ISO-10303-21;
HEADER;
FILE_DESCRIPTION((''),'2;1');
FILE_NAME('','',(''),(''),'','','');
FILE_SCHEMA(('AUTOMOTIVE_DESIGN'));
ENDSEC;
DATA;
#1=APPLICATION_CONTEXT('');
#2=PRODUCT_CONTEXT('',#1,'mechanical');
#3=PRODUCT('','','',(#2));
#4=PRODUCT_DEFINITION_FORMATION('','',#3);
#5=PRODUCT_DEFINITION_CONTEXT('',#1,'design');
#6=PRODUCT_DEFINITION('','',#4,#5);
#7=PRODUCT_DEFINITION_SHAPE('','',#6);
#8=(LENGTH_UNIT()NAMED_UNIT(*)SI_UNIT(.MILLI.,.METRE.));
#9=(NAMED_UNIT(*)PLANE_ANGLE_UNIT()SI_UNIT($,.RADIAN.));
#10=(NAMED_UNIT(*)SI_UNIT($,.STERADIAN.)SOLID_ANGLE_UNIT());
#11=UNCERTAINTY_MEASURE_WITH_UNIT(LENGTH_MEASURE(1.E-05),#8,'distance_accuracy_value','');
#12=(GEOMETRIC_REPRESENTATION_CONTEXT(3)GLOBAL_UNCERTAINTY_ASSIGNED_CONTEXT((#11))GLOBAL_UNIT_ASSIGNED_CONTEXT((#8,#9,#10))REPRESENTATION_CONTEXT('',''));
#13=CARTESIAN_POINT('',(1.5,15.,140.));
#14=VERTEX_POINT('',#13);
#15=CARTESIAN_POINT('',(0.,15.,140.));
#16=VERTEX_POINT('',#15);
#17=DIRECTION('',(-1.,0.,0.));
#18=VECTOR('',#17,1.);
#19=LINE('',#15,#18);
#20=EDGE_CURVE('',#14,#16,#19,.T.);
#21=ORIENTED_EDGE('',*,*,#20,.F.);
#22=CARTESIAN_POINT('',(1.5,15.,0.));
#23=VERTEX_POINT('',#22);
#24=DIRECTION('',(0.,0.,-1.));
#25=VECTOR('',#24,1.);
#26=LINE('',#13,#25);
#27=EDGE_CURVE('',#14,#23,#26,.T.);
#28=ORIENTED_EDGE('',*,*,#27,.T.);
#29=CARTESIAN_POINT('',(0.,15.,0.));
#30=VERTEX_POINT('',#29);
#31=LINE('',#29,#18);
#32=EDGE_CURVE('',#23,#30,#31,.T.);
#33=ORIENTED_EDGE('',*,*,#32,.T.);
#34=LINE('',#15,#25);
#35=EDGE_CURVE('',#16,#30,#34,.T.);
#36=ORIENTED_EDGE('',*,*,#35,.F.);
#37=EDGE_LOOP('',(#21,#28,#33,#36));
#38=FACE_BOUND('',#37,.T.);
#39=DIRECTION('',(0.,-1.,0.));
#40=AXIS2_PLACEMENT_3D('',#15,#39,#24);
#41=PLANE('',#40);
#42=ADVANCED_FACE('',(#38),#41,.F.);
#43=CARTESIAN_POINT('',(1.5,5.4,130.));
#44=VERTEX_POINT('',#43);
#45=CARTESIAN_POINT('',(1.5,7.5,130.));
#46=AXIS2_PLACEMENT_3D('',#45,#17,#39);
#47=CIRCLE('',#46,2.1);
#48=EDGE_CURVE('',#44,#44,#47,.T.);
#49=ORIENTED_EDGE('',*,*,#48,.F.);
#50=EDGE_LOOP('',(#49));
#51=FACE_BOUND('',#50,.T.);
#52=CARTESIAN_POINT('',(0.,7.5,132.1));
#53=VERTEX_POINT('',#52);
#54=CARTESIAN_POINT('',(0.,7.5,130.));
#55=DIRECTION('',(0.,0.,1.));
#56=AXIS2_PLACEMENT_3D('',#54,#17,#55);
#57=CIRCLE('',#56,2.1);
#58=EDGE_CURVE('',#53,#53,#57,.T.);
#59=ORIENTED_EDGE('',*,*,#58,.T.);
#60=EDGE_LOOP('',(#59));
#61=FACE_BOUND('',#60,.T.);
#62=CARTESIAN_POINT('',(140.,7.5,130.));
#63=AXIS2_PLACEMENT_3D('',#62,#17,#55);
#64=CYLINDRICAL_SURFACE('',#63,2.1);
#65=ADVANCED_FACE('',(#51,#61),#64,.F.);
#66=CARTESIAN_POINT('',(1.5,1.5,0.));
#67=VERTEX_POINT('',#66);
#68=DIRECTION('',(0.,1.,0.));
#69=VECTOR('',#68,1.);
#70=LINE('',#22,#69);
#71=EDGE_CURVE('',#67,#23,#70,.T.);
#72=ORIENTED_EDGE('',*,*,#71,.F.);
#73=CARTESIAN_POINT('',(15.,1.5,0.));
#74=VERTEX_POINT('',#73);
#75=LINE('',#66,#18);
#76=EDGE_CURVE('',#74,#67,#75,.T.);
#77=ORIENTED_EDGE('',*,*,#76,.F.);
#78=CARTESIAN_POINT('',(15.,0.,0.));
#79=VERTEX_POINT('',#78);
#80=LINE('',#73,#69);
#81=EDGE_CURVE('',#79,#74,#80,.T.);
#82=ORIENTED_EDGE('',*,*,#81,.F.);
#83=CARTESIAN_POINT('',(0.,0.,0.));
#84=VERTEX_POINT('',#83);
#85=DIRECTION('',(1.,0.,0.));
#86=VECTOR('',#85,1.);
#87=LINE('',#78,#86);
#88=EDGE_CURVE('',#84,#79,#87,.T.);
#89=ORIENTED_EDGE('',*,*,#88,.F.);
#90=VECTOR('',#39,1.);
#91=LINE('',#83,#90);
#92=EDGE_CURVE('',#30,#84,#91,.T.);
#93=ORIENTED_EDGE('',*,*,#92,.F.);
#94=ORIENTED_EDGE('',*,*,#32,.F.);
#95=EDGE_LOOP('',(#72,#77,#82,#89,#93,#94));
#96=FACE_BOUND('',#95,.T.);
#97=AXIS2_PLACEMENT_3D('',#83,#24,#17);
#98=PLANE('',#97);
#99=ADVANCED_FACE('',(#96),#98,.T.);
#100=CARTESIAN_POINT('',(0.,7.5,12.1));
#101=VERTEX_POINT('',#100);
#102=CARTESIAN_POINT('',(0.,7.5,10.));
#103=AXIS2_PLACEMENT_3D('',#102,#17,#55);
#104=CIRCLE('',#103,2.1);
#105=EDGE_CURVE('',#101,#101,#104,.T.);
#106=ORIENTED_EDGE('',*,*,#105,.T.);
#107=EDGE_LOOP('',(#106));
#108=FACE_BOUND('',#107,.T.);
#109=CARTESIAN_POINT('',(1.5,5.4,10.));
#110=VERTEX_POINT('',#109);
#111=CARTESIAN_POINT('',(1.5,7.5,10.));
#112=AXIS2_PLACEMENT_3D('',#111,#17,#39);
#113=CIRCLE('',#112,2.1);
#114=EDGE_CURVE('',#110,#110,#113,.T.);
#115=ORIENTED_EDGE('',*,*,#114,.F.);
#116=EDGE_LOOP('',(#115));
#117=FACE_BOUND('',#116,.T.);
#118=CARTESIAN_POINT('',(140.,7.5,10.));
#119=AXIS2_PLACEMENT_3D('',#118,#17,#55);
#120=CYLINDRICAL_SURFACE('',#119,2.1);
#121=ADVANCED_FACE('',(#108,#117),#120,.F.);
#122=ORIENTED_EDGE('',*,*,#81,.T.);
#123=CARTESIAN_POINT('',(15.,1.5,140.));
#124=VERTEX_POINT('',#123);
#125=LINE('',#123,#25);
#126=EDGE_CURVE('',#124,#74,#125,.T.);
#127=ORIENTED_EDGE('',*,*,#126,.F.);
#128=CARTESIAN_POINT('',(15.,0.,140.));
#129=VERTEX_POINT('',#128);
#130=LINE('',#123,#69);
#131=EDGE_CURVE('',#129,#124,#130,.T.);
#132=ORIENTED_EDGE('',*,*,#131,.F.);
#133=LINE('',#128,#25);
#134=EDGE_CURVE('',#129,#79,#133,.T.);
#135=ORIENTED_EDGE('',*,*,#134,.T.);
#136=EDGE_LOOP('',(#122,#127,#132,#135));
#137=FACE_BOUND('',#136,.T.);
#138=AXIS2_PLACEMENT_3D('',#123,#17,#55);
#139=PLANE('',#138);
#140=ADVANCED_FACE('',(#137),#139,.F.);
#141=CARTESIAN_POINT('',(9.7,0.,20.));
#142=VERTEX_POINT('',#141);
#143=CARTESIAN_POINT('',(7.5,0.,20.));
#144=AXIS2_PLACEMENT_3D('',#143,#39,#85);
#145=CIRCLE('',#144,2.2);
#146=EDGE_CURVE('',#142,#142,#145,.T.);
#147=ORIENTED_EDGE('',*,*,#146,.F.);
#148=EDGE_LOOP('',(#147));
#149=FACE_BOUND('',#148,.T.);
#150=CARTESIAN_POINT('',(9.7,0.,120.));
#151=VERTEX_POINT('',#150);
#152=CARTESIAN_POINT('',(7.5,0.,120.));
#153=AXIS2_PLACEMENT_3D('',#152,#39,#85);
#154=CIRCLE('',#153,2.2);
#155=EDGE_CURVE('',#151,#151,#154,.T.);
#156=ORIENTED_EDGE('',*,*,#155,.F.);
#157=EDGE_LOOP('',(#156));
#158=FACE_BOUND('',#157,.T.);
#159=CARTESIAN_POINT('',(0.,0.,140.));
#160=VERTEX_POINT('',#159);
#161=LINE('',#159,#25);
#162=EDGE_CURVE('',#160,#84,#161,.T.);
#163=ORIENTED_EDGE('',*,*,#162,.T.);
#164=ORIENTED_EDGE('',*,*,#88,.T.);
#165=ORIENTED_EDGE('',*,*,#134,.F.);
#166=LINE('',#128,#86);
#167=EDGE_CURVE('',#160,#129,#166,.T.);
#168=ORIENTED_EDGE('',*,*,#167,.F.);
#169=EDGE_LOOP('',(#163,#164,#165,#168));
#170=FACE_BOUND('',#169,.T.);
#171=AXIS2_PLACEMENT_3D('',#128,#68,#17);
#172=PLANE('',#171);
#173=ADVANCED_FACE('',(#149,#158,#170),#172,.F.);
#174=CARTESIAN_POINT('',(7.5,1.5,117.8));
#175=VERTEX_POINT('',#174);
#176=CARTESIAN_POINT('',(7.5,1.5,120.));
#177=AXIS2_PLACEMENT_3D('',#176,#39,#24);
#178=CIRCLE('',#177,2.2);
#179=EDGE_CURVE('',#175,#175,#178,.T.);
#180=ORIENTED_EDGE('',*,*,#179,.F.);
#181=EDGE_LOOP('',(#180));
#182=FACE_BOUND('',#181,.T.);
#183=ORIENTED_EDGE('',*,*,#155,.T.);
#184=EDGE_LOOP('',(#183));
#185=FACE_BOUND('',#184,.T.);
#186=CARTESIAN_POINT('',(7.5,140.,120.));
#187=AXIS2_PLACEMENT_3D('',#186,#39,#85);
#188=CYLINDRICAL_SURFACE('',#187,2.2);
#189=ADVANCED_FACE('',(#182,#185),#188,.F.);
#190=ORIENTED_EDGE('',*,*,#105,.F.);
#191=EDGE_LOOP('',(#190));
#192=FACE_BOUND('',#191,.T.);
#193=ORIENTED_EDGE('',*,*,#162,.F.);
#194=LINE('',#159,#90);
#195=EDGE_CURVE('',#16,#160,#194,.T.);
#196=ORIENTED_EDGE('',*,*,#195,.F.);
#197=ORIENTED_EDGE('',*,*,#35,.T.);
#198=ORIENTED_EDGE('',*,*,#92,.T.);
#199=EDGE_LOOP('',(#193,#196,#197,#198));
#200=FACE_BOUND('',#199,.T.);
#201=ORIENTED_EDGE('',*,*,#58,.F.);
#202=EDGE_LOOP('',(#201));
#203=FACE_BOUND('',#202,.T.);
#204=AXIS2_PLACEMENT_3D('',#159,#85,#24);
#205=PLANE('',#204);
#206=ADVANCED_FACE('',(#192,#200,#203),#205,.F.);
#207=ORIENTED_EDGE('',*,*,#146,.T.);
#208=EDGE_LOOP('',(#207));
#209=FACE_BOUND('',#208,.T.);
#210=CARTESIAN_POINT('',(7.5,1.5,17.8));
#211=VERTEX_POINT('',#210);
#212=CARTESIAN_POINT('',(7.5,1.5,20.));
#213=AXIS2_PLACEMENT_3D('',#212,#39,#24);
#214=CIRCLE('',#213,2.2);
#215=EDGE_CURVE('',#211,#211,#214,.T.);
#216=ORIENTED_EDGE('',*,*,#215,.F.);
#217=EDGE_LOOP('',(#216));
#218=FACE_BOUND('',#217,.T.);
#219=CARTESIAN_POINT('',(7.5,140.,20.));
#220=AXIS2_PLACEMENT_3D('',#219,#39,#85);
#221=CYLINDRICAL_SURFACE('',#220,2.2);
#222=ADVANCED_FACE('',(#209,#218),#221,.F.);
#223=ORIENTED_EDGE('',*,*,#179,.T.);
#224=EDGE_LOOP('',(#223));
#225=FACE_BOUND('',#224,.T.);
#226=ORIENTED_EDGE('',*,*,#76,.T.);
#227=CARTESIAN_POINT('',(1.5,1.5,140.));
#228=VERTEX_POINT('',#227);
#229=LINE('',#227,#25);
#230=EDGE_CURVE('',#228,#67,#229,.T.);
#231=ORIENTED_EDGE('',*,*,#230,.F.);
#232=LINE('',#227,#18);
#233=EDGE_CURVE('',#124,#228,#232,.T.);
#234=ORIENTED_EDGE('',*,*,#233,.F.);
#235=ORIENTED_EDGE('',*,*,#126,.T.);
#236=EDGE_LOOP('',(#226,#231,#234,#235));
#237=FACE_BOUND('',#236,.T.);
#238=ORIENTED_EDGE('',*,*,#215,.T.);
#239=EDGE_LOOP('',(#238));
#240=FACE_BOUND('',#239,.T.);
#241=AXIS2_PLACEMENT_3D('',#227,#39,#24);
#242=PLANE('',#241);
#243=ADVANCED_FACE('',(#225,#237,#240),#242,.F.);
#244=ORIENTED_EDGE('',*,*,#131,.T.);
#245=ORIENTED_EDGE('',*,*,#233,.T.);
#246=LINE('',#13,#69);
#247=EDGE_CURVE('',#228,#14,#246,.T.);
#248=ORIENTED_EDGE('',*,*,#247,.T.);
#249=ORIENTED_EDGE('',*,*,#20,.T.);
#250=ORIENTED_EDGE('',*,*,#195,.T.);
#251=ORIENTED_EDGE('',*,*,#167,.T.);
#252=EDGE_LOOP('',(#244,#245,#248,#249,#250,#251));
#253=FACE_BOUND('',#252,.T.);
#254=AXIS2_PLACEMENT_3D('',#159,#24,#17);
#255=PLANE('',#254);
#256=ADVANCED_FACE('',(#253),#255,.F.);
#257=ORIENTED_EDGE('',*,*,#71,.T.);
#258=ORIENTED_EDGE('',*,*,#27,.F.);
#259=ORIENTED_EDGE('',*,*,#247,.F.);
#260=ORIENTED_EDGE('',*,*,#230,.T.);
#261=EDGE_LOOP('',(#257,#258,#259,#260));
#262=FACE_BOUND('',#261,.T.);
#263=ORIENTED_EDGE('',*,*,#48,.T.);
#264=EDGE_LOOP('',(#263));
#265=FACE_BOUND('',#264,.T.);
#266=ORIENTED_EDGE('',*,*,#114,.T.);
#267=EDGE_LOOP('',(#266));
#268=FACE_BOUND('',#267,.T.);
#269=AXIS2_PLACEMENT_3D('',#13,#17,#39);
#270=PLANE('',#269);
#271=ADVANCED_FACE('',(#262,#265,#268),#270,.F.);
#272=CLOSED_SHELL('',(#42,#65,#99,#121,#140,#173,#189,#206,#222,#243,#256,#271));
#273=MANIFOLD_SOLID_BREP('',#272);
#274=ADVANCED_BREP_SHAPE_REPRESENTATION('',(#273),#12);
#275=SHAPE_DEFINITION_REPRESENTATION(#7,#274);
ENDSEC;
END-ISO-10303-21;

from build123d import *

# Parameters (mm, degrees)
EXTRUDE_1_DEPTH     = 140
SKETCH_2_R          = 2.1
CUT_EXTRUDE_1_DEPTH = 140
SKETCH_3_R          = 2.2
CUT_EXTRUDE_2_DEPTH = 140


with BuildPart() as part:
    # ｽｹｯﾁ1 → ﾎﾞｽ - 押し出し1 (new body)
    with BuildSketch(Plane.XY):
        Polygon((0, 0), (0, 15), (1.5, 15), (1.5, 1.5), (15, 1.5), (15, 0), align=None)
    extrude(amount=EXTRUDE_1_DEPTH)

    # ｽｹｯﾁ2 → ｶｯﾄ - 押し出し1 (cut)
    with BuildSketch(Plane.ZY):
        with Locations((130, 7.5)):
            Circle(SKETCH_2_R)
        with Locations((10, 7.5)):
            Circle(SKETCH_2_R)
    extrude(amount=-CUT_EXTRUDE_1_DEPTH, mode=Mode.SUBTRACT)

    # ｽｹｯﾁ3 → ｶｯﾄ - 押し出し2 (cut)
    with BuildSketch(Plane(origin=(0, 0, 0), x_dir=(-1, 0, 0), z_dir=(0, -1, 0))):
        with Locations((-7.5, -120)):
            Circle(SKETCH_3_R)
        with Locations((-7.5, -20)):
            Circle(SKETCH_3_R)
    extrude(amount=-CUT_EXTRUDE_2_DEPTH, mode=Mode.SUBTRACT)


solid = part.part
